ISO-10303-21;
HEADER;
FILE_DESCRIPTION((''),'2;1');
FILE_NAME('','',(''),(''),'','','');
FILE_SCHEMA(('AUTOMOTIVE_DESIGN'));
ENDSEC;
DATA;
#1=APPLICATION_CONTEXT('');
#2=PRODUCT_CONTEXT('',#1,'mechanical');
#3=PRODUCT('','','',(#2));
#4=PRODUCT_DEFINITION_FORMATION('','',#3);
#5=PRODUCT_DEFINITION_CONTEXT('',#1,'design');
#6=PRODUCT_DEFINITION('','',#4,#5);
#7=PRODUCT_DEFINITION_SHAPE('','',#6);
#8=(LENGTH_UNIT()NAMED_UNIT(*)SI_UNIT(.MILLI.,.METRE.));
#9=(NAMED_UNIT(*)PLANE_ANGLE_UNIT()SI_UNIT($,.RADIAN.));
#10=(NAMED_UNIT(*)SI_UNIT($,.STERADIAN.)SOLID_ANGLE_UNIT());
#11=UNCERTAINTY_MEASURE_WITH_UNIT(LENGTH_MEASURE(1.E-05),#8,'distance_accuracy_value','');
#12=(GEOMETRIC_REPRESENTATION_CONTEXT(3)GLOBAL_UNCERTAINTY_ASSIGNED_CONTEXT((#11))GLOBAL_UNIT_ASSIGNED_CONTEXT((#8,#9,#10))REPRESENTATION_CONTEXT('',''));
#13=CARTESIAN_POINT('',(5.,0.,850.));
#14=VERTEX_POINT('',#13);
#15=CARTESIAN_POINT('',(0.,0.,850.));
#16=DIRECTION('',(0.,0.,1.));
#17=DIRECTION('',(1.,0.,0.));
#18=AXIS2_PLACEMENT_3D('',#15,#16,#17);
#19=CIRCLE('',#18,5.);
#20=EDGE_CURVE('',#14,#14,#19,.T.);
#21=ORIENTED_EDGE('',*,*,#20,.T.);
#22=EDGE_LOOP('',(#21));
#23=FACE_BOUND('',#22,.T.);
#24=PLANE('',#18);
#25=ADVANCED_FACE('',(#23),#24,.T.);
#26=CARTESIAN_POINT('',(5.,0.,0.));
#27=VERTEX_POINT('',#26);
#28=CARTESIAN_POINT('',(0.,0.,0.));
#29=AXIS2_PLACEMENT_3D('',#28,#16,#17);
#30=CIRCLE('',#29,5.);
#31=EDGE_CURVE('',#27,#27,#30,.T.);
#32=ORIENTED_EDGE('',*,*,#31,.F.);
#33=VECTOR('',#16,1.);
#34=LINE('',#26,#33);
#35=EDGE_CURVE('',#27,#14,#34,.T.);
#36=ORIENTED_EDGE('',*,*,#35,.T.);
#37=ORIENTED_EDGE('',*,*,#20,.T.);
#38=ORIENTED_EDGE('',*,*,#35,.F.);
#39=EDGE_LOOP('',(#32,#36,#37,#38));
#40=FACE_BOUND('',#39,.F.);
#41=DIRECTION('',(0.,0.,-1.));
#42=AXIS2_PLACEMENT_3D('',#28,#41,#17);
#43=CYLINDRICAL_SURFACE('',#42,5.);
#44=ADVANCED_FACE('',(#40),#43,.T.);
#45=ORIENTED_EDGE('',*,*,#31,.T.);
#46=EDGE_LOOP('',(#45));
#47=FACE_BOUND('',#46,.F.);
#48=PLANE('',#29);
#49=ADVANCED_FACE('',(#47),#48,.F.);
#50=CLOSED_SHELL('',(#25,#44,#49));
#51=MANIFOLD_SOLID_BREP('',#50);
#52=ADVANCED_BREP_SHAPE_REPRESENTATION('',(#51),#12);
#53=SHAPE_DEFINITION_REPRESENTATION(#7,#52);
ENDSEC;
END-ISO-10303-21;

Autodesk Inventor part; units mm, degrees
ref_plane "YZ Plane" through (0, 0, 0) normal (1, 0, 0) x (0, 1, 0)
ref_plane "XZ Plane" through (0, 0, 0) normal (0, 1, 0) x (-1, 0, 0)
ref_plane "XY Plane" through (0, 0, 0) normal (0, 0, 1) x (1, 0, 0)
sketch "Sketch1" plane through (0, 0, 0) normal (0, 0, 1) x (1, 0, 0)
  circle A0 centre (0, 0) radius 5
  dimension "d0" = 10
extrude "Extrusion1" add sketch "Sketch1" along normal blind 850
properties part number "Quick Shaft 12mm x 500mm" material "Steel, Carbon"
